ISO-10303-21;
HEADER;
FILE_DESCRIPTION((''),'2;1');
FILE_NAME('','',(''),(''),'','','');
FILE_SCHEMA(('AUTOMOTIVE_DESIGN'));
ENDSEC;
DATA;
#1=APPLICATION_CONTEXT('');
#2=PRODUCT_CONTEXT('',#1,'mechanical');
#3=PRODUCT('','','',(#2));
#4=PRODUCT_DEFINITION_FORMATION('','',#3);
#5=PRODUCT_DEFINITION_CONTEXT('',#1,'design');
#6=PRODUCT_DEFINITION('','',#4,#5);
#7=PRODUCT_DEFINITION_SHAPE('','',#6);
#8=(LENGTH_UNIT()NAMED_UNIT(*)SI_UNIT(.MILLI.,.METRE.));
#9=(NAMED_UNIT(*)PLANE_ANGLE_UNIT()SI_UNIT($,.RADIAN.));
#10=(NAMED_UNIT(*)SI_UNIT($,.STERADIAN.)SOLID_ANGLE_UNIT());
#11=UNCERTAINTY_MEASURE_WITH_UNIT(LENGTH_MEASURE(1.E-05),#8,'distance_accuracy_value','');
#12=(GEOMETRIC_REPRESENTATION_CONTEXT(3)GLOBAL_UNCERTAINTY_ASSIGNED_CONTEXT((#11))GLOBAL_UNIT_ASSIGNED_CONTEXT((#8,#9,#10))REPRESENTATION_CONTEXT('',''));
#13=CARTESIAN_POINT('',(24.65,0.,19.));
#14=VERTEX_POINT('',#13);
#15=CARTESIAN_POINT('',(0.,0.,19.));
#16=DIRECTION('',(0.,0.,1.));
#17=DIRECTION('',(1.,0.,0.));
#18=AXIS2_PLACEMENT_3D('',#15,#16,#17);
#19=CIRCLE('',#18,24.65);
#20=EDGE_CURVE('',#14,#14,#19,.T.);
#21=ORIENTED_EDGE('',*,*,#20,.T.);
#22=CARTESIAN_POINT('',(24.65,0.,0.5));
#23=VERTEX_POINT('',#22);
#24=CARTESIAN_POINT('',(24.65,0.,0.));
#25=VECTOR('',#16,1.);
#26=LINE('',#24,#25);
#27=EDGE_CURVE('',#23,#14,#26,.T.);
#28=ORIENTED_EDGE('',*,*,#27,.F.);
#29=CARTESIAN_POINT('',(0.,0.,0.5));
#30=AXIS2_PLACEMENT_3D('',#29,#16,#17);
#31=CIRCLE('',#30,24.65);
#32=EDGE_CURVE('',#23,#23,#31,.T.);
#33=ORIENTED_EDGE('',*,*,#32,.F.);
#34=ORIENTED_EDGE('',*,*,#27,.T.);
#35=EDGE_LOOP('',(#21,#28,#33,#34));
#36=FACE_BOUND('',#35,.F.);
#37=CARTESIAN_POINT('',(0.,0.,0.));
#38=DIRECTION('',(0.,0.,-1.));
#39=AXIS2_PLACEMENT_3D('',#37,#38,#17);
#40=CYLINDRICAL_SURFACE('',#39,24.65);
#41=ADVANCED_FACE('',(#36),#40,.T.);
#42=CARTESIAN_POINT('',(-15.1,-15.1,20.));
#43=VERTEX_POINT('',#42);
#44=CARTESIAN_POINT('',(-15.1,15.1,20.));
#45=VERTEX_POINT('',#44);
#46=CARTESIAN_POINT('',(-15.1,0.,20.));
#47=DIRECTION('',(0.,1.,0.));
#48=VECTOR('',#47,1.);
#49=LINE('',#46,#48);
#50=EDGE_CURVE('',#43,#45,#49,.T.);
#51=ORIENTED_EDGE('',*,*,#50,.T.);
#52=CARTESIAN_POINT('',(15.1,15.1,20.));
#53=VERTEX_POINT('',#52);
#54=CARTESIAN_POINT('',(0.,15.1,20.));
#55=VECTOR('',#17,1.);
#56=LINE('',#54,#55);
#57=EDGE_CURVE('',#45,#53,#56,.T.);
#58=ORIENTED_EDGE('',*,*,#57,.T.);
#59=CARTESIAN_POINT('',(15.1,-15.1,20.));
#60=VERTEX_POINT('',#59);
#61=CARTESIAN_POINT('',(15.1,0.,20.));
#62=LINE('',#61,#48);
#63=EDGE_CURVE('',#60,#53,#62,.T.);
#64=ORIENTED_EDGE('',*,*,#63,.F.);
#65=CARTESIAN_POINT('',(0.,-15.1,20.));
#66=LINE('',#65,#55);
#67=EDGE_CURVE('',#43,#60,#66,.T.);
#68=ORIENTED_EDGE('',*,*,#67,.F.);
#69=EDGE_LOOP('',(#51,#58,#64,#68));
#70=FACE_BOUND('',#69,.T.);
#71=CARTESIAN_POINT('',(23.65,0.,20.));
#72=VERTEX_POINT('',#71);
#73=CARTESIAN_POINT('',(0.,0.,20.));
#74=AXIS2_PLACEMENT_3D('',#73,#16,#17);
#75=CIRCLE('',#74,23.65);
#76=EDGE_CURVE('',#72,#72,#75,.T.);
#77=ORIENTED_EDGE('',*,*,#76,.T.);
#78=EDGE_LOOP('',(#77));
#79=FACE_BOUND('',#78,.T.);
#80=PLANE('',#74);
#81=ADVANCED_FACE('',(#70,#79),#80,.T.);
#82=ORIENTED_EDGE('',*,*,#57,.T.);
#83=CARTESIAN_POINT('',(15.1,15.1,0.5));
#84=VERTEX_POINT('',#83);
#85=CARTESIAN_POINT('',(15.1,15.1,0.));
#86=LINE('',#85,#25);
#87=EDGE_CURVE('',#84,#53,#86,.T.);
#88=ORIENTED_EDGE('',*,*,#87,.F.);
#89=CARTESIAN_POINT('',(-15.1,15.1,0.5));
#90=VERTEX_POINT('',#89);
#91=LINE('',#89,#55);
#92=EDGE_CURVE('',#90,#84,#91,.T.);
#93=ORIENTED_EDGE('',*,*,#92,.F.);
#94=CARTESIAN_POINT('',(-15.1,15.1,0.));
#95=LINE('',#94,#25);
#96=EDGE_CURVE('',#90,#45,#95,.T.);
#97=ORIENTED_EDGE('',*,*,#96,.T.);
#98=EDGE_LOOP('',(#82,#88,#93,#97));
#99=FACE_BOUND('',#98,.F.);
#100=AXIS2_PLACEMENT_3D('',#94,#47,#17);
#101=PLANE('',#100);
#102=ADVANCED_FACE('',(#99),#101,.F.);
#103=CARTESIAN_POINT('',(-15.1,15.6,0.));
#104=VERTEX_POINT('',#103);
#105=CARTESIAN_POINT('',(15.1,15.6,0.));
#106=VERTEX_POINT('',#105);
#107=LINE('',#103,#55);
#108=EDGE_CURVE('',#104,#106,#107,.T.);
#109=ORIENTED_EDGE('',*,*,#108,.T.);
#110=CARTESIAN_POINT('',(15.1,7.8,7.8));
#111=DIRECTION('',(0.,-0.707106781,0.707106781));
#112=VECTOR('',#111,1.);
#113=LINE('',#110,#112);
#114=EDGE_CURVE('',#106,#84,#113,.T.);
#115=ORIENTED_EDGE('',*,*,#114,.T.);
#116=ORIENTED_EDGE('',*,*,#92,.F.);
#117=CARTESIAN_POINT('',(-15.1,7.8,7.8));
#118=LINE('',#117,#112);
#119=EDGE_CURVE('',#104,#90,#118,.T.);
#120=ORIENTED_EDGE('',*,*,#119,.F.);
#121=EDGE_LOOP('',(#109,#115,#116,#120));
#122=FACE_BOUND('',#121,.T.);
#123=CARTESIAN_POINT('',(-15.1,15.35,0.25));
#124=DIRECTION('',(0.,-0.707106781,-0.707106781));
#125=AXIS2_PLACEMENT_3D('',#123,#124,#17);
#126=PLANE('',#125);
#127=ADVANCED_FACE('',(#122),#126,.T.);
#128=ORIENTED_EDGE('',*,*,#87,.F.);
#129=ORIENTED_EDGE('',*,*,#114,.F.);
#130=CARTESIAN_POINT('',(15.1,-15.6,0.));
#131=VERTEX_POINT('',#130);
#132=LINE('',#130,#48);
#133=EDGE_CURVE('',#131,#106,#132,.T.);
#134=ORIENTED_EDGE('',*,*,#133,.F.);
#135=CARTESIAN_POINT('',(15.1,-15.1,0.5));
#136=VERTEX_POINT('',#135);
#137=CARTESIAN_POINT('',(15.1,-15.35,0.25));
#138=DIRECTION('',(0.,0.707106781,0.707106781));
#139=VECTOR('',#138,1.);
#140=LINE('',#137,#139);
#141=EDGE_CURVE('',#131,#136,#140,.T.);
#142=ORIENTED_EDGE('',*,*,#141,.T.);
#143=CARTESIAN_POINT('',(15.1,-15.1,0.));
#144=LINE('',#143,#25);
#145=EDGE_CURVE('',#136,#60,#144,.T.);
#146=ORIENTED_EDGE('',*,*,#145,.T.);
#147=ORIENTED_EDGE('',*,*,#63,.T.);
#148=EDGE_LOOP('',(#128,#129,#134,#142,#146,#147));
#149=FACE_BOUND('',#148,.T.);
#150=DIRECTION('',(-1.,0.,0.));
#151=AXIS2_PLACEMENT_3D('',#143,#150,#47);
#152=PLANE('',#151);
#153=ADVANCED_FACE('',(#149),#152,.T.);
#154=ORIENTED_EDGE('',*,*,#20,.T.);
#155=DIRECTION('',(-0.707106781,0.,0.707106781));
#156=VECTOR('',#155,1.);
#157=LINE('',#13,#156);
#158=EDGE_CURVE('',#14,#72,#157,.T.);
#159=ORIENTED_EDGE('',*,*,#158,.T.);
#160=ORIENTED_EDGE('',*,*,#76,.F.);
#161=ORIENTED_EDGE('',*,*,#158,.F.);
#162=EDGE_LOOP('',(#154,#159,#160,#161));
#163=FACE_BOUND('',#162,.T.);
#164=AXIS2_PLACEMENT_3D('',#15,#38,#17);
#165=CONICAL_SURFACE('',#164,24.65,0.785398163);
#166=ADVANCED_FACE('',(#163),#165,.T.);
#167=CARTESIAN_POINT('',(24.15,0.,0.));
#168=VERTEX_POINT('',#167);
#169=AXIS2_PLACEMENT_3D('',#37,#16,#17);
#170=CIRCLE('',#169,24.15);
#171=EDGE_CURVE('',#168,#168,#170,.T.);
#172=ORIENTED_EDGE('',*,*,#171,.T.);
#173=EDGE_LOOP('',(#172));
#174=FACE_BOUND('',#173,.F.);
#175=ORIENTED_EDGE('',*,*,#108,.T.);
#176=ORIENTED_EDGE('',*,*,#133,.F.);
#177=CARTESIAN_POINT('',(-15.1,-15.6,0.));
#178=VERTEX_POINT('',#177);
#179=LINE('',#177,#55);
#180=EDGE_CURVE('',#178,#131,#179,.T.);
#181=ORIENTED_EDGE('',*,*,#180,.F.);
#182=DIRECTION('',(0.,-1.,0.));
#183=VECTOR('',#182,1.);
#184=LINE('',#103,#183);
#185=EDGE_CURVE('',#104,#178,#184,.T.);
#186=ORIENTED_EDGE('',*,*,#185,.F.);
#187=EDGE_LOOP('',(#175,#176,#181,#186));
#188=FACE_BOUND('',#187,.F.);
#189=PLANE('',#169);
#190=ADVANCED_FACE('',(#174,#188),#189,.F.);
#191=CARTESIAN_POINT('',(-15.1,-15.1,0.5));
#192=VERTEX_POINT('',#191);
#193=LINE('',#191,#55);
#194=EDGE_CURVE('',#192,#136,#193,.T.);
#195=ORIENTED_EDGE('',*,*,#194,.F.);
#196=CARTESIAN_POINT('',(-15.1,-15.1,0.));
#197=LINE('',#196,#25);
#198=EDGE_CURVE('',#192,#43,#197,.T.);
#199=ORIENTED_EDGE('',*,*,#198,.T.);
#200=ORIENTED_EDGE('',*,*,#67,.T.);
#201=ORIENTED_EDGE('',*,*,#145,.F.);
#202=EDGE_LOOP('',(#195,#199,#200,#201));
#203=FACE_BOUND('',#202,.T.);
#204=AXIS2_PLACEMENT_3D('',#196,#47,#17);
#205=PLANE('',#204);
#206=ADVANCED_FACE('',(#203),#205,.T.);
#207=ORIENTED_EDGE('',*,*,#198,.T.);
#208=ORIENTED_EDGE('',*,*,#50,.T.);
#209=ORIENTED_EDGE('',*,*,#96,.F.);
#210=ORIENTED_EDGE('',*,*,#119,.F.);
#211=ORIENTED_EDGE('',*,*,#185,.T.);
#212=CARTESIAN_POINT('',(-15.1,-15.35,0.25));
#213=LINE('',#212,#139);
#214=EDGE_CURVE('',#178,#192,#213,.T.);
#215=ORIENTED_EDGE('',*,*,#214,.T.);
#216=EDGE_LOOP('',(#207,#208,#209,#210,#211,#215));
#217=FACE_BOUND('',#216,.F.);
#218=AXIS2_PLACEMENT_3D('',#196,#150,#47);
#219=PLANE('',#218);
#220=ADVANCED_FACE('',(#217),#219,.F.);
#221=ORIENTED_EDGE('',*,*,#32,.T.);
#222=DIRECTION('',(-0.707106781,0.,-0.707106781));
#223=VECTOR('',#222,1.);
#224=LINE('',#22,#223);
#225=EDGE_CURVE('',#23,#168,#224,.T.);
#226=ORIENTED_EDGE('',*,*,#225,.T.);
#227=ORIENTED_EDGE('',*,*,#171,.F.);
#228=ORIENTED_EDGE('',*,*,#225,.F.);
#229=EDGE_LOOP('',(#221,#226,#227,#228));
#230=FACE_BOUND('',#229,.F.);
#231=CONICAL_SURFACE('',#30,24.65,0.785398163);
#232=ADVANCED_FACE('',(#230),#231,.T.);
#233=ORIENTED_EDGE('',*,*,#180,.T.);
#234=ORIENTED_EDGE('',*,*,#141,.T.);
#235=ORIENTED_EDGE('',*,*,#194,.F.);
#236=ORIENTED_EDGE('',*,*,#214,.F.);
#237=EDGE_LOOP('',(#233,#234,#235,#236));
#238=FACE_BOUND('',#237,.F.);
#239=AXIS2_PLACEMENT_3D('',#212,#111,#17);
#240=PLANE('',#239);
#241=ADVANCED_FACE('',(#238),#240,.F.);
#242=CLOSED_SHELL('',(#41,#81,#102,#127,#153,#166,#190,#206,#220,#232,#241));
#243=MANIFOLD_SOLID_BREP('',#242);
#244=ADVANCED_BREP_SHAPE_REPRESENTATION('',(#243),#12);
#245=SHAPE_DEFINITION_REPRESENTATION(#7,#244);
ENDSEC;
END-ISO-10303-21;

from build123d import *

# Parameters (mm, degrees)
BOX320_W          = 30.2
BOX320_H          = 30.2
BOX320_DEPTH      = 20
CYLINDER816_R     = 24.65
CYLINDER816_DEPTH = 20
CHAMFER006_SIZE   = 0.5
CHAMFER005_SIZE   = 1
CHAMFER007_SIZE   = 0.5


with BuildPart() as krychle320:
    # Box320 → Box320 (new body)
    with BuildSketch(Plane(origin=(-15.1, -15.1, 0), x_dir=(1, 0, 0), z_dir=(0, 0, 1))):
        with Locations((15.1, 15.1)):
            Rectangle(BOX320_W, BOX320_H)
    extrude(amount=BOX320_DEPTH)


with BuildPart() as chamfer007:
    # Cylinder816 → Cylinder816 (new body)
    with BuildSketch(Plane.XY):
        Circle(CYLINDER816_R)
    extrude(amount=CYLINDER816_DEPTH)

    # Cut349: cut Krychle320
    add(krychle320.part, mode=Mode.SUBTRACT)

    # Chamfer006
    chamfer006_edges = [chamfer007.edges().sort_by_distance(p)[0] for p in [
        (0, -15.1, 0),
        (0, 15.1, 0),
    ]]
    chamfer(chamfer006_edges, length=CHAMFER006_SIZE)

    # Chamfer005
    chamfer005_edges = [chamfer007.edges().sort_by_distance(p)[0] for p in [
        (-24.65, 0, 20),
    ]]
    chamfer(chamfer005_edges, length=CHAMFER005_SIZE)

    # Chamfer007
    chamfer007_edges = [chamfer007.edges().sort_by_distance(p)[0] for p in [
        (-24.65, 0, 0),
    ]]
    chamfer(chamfer007_edges, length=CHAMFER007_SIZE)


solid = chamfer007.part
